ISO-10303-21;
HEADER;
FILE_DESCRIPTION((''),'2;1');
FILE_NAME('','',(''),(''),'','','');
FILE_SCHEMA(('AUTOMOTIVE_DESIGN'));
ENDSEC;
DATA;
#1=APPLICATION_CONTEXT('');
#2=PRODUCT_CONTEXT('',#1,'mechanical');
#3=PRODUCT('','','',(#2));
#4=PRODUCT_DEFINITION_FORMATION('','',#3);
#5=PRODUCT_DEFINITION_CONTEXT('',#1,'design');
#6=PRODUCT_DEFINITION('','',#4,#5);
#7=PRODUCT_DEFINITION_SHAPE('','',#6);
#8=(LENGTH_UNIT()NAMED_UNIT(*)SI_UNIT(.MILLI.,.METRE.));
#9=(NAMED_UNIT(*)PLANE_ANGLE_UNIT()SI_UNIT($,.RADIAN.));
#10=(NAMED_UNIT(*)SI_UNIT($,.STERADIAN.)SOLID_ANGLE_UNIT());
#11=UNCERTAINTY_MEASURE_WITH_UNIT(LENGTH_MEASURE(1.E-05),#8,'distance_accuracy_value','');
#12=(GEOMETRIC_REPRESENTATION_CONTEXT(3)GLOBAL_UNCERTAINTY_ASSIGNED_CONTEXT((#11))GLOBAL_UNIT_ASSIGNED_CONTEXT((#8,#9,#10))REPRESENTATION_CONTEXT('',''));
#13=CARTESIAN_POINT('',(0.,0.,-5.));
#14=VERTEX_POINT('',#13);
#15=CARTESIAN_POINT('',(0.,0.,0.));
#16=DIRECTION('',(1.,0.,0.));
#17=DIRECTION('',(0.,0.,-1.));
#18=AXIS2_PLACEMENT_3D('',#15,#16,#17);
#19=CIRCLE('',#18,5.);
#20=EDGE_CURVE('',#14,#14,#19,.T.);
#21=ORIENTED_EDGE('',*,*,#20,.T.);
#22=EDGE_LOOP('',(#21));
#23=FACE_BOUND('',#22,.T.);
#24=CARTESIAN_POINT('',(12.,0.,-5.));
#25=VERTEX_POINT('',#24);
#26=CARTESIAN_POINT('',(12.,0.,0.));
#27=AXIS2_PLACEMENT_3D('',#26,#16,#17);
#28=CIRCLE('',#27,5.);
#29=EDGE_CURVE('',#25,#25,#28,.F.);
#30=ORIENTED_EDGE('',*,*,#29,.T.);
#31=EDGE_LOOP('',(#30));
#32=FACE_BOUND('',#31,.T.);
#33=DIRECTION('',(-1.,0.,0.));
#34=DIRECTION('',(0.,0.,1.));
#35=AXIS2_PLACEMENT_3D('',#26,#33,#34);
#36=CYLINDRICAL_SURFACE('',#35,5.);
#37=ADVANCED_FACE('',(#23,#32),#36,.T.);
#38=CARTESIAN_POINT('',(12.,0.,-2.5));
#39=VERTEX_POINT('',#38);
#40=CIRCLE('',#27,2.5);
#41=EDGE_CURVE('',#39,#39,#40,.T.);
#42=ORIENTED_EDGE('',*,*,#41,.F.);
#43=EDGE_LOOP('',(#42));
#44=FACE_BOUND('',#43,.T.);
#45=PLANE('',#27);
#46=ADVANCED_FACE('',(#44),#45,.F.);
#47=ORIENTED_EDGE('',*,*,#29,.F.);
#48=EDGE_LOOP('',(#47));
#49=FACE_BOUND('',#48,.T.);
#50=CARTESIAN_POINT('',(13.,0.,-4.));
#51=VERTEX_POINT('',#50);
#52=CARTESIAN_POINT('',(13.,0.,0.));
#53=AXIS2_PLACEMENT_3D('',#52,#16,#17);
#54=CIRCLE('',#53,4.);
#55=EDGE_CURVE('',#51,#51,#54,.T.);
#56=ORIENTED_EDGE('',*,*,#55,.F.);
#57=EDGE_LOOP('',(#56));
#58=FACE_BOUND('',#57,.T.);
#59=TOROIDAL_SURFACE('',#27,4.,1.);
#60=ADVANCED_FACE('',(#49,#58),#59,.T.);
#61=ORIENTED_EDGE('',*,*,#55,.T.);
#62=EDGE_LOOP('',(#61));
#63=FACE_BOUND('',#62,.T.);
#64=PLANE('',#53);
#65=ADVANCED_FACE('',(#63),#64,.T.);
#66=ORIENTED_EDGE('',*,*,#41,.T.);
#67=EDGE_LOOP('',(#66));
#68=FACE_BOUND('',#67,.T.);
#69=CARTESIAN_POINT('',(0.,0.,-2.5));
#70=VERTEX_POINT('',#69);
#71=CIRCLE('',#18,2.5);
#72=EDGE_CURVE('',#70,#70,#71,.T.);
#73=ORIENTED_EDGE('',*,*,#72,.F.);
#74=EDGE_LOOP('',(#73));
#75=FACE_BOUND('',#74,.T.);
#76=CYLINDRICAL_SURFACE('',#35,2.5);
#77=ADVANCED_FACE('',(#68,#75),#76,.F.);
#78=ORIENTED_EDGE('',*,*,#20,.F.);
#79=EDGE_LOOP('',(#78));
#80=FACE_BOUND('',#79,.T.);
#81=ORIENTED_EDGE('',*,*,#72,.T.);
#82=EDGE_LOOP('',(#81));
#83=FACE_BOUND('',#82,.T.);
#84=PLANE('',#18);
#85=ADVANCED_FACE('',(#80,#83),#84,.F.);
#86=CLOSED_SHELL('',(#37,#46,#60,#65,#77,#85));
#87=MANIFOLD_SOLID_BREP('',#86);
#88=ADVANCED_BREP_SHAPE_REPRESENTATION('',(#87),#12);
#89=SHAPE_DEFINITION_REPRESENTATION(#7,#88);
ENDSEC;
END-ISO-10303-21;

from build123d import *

# Parameters (mm, degrees)
SKETCH1_R           = 5
SKETCH1_R_2         = 2.5
BOSS_EXTRUDE1_DEPTH = 12
SKETCH2_R           = 5
BOSS_EXTRUDE2_DEPTH = 1
FILLET1_R           = 1


with BuildPart() as part:
    # Sketch1 → Boss-Extrude1 (new body)
    with BuildSketch(Plane(origin=(0, 0, 0), x_dir=(0, 0, -1), z_dir=(1, 0, 0))):
        Circle(SKETCH1_R)
        Circle(SKETCH1_R_2, mode=Mode.SUBTRACT)
    extrude(amount=BOSS_EXTRUDE1_DEPTH)

    # Sketch2 → Boss-Extrude2 (add)
    with BuildSketch(Plane(origin=(12, 0, 0), x_dir=(0, 0, -1), z_dir=(1, 0, 0))):
        Circle(SKETCH2_R)
    extrude(amount=BOSS_EXTRUDE2_DEPTH)

    # Fillet1
    fillet1_edges = [part.edges().sort_by_distance(p)[0] for p in [
        (13, 0, 5),
    ]]
    fillet(fillet1_edges, radius=FILLET1_R)


solid = part.part
